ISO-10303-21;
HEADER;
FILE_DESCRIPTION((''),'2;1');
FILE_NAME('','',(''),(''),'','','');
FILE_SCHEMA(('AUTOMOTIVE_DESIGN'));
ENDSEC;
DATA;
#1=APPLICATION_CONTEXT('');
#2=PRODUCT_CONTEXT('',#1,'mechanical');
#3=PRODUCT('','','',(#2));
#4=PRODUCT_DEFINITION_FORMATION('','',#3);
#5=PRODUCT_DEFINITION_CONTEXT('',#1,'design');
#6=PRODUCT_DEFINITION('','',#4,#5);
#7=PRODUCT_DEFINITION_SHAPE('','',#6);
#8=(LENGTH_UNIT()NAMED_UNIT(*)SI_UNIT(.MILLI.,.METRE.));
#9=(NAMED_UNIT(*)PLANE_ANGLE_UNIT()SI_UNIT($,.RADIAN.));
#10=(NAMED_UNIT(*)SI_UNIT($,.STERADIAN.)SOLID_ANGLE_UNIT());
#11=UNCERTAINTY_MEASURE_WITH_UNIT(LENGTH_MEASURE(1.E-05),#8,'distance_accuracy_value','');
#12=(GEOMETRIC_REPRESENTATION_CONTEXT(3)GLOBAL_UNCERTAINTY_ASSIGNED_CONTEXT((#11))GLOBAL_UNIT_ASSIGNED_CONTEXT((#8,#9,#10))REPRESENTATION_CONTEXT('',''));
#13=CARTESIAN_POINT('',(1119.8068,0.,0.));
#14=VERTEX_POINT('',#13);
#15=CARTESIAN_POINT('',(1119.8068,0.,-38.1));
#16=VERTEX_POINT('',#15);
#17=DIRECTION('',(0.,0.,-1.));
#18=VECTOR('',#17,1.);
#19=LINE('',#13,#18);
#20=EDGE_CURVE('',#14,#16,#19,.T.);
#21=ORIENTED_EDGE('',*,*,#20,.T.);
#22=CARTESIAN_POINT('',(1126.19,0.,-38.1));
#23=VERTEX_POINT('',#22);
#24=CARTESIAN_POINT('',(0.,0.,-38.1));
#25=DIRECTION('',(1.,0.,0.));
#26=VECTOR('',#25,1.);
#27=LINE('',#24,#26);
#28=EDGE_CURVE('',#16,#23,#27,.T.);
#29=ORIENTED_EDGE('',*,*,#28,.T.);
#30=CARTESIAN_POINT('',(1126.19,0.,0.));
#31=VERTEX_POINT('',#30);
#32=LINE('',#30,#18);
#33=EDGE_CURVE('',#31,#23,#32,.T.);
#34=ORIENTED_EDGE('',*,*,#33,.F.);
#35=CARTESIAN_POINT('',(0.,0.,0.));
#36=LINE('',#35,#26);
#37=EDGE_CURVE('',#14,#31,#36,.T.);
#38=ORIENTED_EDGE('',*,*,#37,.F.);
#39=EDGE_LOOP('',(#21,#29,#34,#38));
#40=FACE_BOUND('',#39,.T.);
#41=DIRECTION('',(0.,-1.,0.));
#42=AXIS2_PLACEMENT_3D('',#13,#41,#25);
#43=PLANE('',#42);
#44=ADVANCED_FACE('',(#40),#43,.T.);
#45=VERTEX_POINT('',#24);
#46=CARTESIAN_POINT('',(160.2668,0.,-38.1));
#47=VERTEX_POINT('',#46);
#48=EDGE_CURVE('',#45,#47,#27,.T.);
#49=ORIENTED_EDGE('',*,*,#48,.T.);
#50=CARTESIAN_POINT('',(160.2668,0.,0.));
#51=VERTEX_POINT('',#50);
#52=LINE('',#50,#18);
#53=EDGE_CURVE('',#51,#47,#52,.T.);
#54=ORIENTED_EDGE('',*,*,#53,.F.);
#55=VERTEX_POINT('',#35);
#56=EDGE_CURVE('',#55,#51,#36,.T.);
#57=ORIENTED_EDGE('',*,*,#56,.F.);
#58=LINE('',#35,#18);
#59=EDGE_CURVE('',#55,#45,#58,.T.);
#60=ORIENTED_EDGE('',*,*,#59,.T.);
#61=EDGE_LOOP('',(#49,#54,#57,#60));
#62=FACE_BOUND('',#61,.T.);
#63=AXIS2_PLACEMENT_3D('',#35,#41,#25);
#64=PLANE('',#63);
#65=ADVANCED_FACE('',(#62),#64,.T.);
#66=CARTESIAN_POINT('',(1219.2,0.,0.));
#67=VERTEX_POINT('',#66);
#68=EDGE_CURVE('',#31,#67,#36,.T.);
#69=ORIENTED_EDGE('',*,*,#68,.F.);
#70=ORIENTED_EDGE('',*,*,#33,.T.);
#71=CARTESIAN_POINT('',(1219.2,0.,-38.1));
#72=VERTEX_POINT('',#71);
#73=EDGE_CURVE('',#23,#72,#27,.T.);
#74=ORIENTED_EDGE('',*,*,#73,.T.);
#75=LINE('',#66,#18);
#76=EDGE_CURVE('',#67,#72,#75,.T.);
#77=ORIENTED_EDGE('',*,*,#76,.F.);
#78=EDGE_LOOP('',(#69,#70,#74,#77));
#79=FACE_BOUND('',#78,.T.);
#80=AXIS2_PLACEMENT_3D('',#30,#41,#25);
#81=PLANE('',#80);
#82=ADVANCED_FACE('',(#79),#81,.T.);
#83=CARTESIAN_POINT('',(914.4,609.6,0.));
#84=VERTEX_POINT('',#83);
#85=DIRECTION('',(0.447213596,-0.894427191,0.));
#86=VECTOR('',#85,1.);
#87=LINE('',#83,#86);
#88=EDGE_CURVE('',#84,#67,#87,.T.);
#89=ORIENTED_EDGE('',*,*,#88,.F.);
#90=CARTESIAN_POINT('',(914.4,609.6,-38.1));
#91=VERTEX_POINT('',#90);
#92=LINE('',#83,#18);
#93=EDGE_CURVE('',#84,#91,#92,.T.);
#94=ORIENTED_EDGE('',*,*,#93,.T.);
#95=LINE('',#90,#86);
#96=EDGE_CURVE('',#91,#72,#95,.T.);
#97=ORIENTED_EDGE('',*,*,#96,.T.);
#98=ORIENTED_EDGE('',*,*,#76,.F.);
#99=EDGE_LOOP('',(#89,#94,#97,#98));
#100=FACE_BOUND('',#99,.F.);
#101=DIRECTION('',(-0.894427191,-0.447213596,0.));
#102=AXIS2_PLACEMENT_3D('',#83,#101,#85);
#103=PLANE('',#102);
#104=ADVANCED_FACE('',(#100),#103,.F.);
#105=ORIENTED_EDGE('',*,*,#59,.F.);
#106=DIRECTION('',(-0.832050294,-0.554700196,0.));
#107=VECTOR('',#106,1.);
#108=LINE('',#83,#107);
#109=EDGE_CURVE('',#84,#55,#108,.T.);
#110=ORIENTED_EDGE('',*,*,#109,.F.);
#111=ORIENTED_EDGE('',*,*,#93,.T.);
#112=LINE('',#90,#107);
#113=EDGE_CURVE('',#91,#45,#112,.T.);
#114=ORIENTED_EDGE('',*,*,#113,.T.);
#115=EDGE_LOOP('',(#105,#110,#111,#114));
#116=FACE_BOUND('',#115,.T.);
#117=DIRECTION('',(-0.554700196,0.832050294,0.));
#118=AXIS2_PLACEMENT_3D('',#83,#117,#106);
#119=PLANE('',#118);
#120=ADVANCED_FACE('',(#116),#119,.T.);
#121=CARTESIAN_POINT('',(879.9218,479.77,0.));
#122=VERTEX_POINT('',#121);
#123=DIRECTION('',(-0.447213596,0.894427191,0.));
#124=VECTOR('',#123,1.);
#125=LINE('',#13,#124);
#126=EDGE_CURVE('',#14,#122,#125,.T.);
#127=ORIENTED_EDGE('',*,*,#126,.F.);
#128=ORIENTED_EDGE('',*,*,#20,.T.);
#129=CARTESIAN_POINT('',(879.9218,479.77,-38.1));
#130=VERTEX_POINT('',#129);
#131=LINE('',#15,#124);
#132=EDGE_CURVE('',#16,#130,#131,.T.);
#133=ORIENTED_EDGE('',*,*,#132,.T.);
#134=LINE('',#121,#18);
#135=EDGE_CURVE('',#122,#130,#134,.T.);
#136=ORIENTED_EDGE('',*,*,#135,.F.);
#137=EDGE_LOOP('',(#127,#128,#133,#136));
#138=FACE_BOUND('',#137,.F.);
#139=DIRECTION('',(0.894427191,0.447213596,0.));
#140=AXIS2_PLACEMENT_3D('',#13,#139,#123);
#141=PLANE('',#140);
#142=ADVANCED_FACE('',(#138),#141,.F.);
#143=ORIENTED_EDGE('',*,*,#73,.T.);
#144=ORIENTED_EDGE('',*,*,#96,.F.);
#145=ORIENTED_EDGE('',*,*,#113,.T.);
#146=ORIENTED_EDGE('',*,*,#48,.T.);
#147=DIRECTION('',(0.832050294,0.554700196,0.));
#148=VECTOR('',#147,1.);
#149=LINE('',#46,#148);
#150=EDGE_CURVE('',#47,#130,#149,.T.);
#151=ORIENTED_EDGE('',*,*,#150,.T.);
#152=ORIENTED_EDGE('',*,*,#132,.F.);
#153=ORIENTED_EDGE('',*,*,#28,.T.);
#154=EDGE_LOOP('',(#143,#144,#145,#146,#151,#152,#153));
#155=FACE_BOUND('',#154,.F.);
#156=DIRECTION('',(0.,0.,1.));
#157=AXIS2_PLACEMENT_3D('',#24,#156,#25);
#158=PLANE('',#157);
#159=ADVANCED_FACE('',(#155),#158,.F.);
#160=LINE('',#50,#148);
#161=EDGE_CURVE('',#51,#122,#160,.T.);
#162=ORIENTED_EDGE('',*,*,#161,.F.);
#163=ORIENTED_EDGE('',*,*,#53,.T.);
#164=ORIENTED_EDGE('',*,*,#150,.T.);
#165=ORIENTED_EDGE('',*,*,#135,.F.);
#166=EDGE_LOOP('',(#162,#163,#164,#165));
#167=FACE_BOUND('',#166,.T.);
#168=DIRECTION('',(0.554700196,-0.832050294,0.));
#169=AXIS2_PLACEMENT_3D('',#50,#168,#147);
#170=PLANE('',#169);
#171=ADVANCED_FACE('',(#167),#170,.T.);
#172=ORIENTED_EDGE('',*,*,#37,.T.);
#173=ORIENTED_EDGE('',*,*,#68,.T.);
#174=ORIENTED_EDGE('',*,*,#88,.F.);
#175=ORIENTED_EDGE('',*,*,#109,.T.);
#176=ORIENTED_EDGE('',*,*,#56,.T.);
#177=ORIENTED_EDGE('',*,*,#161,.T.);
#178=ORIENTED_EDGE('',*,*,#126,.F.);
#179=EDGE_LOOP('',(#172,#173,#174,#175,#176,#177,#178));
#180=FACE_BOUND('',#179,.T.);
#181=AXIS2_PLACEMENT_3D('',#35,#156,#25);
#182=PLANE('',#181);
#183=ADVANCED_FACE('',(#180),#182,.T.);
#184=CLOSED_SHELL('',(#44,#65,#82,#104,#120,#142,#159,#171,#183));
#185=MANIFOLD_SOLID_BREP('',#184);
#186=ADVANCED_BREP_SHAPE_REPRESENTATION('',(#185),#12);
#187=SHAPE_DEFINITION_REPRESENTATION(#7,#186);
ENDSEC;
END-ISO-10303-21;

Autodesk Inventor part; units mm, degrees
ref_plane "YZ Plane" through (0, 0, 0) normal (1, 0, 0) x (0, 1, 0)
ref_plane "XZ Plane" through (0, 0, 0) normal (0, 1, 0) x (-1, 0, 0)
ref_plane "XY Plane" through (0, 0, 0) normal (0, 0, 1) x (1, 0, 0)
sketch "Sketch1" plane through (0, 0, 0) normal (0, 0, 1) x (1, 0, 0)
  line L0 (0, 0) -> (0, -38.1) projected
  line L1 (0, -38.1) -> (1219.2, -38.1) projected
  line L2 (1219.2, 0) -> (1219.2, -38.1) projected
  line L3 (0, 0) -> (1219.2, 0) projected
  line L4 (0, 0) -> (914.4, 0)
  line L5 (914.4, 609.6) -> (0, 0)
  line L6 (914.4, 609.6) -> (1219.2, 0)
  line L7 (1219.2, 0) -> (1126.19, 0)
  line L8 (1119.8068, 0) -> (879.9218, 479.77)
  line L9 (1119.8068, 0) -> (1219.2, 0)
  line L10 (160.2668, 0) -> (879.9218, 479.77)
  dimension "d3" = 88.9
extrude "Extrusion1" add sketch "Sketch1" against normal blind 38.1 contours L5 L6 L3 L8 L10
properties part number "side1"
